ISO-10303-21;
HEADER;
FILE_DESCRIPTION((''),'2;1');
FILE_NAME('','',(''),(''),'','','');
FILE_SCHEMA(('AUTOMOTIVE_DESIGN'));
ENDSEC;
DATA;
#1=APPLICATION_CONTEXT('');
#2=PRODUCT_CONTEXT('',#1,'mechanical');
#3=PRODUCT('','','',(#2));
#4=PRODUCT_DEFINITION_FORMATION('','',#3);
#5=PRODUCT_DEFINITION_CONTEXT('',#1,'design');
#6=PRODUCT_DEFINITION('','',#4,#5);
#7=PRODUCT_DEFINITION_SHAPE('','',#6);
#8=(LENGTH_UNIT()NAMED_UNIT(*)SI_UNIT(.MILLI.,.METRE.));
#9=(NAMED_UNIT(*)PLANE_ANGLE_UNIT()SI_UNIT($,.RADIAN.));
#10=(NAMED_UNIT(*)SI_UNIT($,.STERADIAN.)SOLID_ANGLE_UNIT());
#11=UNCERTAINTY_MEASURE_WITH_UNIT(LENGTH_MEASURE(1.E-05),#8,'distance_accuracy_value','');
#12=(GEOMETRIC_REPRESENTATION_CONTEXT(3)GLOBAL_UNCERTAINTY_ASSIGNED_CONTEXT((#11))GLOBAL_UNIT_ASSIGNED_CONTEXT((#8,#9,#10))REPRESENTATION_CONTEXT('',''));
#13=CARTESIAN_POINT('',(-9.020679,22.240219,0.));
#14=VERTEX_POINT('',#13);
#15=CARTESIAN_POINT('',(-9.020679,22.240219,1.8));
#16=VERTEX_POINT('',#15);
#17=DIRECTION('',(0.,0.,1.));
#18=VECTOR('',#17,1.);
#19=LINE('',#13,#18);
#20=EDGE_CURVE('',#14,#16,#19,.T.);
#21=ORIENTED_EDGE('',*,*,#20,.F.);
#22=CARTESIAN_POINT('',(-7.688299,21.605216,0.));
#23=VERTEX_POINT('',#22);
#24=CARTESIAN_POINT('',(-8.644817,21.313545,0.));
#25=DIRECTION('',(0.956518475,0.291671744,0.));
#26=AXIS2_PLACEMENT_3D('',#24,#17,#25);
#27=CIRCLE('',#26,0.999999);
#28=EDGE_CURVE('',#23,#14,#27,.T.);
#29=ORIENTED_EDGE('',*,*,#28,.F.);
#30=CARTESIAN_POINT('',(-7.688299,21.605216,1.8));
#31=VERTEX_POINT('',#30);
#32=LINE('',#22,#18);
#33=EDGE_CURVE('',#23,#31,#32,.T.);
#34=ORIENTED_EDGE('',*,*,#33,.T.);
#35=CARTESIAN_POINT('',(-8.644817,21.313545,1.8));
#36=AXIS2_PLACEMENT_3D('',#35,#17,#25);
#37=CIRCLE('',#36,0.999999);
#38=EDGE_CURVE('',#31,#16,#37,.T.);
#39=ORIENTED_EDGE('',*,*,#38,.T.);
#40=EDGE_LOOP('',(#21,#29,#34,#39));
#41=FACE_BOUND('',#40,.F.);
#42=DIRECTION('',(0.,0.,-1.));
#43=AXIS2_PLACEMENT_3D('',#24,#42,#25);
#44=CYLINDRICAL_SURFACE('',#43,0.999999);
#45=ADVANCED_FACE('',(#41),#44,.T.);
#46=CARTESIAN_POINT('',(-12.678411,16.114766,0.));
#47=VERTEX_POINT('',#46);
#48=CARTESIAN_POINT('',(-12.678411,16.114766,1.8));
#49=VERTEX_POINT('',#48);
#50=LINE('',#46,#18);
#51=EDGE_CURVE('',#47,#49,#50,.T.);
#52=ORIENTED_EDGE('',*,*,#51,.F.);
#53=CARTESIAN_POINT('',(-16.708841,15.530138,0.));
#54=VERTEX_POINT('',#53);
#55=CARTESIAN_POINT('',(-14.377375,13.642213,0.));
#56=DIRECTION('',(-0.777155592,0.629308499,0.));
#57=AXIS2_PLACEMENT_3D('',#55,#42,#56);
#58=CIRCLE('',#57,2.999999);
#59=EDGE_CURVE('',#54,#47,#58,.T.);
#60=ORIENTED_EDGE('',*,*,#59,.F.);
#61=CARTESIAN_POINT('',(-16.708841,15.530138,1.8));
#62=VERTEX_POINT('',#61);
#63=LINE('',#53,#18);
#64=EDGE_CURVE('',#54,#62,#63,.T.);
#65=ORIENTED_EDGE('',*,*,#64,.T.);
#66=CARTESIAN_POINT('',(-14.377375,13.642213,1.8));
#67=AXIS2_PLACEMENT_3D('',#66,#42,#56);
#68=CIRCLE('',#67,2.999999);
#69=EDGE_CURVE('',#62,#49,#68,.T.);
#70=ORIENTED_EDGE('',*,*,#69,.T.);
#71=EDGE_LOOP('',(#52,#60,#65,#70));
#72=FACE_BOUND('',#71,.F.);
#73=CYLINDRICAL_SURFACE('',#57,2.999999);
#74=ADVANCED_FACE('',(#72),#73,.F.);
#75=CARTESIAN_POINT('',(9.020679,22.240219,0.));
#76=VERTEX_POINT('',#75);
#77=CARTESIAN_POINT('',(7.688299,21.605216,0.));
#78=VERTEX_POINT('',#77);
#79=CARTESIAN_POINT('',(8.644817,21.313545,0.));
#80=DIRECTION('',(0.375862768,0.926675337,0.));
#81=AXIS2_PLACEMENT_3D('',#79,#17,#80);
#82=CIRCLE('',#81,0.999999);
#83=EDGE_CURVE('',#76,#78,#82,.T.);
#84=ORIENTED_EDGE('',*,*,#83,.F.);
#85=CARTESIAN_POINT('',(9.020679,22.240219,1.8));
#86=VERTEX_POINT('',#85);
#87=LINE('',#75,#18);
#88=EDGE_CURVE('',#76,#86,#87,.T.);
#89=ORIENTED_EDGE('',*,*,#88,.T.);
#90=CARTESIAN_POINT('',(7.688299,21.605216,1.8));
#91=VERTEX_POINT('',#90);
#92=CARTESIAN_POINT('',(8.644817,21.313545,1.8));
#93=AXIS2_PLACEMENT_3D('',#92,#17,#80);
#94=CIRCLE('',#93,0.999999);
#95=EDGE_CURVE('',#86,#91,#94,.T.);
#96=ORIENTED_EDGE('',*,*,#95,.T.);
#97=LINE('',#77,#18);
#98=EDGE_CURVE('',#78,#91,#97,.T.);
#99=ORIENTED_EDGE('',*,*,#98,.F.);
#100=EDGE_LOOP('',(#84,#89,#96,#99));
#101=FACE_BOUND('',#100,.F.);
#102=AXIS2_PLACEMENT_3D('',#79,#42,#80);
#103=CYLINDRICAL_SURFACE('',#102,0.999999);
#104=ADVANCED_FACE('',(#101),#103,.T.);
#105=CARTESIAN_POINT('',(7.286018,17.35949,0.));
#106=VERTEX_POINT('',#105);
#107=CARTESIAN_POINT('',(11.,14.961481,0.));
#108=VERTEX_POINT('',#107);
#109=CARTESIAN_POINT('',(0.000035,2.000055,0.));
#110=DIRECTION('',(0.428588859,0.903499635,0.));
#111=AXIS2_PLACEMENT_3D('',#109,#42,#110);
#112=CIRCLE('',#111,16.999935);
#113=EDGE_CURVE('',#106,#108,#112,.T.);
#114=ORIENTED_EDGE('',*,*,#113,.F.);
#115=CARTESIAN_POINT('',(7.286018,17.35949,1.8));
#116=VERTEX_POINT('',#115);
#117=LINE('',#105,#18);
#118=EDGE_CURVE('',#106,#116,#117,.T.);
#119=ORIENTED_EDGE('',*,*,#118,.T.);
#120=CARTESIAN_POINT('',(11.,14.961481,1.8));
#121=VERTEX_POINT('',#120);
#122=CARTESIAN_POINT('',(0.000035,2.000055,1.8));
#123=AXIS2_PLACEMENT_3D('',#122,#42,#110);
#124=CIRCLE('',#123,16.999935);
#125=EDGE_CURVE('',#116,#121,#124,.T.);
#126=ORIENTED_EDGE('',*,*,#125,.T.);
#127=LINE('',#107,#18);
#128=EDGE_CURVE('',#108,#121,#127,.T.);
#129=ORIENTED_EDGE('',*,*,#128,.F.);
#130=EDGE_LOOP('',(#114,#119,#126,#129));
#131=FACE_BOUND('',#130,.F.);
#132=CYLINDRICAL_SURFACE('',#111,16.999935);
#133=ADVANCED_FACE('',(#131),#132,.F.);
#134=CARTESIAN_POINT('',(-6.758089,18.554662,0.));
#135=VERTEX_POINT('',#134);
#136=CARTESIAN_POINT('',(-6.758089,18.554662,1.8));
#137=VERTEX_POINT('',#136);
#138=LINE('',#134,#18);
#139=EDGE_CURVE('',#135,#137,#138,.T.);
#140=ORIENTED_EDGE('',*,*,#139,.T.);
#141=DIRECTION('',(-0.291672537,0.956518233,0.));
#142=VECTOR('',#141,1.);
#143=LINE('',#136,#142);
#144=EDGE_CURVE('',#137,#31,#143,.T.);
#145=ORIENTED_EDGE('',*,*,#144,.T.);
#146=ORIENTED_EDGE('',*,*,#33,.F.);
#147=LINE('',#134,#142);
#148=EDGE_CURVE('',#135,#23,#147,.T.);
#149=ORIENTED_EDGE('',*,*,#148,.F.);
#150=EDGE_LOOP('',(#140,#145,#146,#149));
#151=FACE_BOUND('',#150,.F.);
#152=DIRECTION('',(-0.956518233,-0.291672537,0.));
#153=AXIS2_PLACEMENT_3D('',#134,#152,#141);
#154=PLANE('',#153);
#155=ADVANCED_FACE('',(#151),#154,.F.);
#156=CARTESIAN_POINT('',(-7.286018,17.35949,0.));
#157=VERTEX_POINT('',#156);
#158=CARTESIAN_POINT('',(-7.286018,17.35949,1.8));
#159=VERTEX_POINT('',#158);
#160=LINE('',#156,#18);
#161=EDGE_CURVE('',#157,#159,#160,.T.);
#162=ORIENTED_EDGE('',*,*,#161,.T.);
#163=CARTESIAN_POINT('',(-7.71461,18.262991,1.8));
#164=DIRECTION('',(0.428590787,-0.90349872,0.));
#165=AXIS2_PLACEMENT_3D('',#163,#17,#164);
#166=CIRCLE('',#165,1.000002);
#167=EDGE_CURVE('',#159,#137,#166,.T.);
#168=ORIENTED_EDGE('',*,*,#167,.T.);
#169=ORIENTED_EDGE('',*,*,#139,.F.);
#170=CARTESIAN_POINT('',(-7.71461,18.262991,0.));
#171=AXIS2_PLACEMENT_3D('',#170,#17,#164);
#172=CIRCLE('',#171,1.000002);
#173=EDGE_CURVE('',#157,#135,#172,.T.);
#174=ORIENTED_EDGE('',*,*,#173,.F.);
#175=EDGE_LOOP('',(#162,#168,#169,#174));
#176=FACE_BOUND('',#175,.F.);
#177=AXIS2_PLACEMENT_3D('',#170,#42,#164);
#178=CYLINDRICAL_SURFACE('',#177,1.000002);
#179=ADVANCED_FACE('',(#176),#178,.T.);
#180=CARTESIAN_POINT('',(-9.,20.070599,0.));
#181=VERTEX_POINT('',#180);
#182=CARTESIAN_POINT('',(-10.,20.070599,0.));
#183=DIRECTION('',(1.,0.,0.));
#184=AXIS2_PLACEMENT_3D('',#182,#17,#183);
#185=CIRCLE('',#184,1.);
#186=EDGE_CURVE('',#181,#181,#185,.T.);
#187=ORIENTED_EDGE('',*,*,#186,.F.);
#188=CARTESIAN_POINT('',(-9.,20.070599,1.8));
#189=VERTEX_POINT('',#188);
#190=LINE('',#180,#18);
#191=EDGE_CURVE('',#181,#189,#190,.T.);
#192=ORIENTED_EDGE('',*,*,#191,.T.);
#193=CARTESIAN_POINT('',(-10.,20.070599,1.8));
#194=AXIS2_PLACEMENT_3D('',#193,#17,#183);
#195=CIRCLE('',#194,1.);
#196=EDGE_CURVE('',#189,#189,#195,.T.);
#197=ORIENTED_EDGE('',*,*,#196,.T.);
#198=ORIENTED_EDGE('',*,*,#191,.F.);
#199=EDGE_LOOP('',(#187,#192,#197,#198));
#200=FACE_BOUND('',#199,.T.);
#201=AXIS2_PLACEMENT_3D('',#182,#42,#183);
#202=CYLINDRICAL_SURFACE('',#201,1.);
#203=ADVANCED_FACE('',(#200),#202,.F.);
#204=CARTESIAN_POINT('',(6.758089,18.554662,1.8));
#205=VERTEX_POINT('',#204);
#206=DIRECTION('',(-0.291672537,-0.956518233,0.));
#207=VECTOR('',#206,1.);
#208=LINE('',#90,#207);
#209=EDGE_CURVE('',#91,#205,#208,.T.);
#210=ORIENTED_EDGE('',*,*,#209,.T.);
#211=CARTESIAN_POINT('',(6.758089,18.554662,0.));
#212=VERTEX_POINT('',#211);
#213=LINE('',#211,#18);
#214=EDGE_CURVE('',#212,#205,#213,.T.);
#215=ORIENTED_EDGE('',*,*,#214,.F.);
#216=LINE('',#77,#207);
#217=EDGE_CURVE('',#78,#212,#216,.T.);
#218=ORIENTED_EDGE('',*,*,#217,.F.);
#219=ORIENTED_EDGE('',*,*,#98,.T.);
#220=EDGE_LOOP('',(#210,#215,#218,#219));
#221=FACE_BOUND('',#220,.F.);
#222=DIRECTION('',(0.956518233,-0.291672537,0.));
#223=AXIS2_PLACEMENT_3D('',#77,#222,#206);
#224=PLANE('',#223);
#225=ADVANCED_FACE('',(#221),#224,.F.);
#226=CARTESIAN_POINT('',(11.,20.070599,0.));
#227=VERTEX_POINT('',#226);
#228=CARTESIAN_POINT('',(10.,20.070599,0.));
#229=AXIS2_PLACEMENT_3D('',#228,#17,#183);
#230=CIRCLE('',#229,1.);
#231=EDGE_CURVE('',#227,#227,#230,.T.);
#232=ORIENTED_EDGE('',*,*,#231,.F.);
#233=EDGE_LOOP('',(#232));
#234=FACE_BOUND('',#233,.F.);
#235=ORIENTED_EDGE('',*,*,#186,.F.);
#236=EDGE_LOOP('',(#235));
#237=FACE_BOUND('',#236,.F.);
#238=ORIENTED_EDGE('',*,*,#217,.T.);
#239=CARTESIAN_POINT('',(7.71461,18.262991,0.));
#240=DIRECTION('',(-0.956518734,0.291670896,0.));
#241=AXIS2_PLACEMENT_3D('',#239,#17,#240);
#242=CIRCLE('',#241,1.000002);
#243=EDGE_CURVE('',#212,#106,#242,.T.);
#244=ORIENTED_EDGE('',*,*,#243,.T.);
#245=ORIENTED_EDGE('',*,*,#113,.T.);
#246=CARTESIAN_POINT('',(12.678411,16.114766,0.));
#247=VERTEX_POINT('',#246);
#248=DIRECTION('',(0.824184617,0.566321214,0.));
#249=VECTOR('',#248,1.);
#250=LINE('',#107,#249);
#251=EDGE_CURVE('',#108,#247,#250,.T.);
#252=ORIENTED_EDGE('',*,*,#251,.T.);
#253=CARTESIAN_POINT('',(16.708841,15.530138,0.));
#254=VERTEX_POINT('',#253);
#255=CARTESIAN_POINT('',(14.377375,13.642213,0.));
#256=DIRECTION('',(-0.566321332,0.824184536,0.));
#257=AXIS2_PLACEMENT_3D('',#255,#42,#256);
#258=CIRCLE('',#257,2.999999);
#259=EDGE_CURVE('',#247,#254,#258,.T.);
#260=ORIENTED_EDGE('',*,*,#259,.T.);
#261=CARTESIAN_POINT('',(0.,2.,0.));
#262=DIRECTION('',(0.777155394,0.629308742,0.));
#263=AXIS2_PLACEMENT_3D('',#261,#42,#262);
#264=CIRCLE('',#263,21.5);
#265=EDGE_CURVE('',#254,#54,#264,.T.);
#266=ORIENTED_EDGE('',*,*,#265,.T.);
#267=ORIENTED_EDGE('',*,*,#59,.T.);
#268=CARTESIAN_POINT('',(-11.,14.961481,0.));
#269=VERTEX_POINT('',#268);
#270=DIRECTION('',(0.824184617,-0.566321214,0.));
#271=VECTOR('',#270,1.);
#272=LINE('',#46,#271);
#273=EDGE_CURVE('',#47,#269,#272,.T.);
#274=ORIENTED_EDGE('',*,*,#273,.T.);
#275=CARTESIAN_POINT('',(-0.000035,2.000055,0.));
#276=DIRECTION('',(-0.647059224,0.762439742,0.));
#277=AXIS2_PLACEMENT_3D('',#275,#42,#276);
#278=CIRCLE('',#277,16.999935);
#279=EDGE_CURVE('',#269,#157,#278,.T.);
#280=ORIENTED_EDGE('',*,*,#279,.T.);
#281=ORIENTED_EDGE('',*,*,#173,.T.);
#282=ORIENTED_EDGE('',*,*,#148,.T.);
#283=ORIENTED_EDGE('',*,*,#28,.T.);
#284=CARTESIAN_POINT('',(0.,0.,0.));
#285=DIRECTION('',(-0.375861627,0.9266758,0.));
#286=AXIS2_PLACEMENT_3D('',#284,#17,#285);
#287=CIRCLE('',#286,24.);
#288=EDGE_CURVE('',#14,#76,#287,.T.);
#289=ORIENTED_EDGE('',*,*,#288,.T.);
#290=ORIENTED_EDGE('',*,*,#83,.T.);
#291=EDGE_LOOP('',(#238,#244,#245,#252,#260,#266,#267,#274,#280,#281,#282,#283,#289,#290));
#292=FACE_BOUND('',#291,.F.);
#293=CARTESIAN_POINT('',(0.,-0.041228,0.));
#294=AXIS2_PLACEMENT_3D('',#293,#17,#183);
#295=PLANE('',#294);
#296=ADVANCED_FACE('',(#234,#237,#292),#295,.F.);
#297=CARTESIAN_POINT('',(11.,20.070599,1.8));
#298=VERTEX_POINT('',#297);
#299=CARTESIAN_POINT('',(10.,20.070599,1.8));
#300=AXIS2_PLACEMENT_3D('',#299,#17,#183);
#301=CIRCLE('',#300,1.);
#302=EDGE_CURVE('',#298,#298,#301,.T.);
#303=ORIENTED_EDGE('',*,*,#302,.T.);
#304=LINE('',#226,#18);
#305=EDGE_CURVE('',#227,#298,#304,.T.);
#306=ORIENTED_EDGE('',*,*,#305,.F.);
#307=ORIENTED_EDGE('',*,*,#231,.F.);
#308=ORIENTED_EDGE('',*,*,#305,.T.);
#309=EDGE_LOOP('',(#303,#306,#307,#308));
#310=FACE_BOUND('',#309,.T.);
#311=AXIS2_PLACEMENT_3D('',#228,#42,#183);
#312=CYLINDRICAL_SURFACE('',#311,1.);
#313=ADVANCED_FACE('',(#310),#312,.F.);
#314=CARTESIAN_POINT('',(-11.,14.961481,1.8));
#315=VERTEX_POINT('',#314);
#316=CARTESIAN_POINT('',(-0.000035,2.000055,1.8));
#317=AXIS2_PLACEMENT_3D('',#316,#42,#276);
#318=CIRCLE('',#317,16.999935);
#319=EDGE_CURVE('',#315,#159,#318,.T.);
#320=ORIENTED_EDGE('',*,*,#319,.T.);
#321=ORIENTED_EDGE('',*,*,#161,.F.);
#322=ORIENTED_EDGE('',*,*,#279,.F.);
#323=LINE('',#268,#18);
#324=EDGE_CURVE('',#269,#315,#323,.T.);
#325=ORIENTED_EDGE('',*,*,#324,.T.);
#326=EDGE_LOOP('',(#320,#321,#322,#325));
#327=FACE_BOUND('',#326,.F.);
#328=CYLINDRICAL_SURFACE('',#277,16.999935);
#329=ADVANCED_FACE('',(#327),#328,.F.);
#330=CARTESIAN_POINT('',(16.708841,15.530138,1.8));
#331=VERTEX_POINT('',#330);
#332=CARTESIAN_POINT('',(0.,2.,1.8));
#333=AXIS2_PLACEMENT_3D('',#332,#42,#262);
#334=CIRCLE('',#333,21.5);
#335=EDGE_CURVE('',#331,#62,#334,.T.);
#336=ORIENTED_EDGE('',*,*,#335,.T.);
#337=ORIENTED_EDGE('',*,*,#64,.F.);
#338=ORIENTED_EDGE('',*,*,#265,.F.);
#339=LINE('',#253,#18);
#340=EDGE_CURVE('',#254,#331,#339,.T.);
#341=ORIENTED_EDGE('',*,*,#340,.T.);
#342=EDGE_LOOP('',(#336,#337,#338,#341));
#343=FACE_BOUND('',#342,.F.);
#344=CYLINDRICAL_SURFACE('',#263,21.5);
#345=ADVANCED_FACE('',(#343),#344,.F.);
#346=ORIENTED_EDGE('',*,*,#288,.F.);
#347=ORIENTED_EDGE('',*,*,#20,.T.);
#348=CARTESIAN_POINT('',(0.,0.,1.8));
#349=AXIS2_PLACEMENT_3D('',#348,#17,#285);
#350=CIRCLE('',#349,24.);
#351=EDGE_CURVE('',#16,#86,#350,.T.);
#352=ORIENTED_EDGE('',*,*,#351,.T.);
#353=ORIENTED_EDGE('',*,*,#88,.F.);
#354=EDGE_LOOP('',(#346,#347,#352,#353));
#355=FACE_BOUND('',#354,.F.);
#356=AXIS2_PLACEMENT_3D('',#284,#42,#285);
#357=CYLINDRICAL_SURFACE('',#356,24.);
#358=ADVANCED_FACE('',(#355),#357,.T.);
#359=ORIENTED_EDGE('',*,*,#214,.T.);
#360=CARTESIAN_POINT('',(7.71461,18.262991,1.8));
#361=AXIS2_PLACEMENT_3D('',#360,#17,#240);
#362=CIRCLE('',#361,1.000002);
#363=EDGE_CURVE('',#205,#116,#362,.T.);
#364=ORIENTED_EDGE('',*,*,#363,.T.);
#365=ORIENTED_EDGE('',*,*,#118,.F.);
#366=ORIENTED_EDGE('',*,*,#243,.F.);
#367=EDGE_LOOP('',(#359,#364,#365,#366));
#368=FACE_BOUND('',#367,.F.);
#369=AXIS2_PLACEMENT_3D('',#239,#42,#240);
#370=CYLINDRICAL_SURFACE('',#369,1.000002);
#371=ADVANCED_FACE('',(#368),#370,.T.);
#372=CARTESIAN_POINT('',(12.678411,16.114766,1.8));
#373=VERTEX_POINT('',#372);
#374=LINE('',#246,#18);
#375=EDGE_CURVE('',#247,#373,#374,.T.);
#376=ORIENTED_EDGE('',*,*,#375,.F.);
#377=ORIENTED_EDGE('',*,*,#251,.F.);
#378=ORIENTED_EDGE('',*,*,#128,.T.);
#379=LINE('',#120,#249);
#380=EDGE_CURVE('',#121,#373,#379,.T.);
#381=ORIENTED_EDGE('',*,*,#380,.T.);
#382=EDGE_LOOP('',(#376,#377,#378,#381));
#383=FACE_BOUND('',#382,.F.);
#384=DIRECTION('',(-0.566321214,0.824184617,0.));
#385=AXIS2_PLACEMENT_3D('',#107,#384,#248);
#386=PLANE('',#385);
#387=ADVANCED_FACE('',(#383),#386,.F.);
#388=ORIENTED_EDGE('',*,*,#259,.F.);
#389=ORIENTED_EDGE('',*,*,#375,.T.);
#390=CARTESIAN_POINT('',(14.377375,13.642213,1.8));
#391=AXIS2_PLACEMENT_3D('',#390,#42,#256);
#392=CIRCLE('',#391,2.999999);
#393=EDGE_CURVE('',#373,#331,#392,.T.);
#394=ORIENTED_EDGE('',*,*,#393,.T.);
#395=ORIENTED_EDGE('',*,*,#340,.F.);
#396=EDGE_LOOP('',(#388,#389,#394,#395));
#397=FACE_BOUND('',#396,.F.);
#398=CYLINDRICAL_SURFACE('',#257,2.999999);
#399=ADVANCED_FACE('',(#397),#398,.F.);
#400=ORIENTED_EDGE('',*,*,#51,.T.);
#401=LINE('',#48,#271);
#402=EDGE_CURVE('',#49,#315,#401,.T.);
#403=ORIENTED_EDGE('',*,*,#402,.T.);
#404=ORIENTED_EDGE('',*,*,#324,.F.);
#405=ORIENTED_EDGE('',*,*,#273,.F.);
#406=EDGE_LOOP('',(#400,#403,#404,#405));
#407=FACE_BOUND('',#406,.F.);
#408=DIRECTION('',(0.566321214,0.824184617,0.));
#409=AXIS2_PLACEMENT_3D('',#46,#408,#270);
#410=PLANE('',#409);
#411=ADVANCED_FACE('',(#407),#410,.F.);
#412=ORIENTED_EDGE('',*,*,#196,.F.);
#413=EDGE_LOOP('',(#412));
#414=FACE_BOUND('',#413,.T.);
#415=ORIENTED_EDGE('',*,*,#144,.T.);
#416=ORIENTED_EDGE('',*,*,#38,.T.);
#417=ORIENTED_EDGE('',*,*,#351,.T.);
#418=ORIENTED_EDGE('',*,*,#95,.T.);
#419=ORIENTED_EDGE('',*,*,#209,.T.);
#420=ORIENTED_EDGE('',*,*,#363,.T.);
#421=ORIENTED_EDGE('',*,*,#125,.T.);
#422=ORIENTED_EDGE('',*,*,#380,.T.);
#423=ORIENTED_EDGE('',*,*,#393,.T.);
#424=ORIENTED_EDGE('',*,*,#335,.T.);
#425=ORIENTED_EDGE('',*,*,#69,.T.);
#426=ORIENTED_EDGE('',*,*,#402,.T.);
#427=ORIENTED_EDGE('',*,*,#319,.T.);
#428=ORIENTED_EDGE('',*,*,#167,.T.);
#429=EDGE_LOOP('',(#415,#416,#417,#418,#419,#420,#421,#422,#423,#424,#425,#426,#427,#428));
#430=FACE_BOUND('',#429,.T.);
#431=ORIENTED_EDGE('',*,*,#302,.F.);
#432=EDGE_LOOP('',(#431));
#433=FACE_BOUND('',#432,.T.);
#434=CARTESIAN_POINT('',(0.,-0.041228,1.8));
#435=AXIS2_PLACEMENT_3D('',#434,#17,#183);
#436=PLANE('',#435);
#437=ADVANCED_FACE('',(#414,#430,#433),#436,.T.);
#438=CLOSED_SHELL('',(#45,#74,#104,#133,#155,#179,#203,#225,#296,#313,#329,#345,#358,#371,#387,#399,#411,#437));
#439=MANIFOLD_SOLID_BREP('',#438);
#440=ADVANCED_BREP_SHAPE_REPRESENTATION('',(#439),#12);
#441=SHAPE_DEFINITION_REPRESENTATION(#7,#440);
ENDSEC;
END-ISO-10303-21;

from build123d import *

# Parameters (mm, degrees)
F0_R     = 1
F1_DEPTH = 1.8


with BuildPart() as f1:
    # F0 (on Top) → F1 (new body)
    with BuildSketch(Plane.XY):
        with BuildLine():
            ThreePointArc((-7.688299, 21.605216), (-8.214587, 22.216263), (-9.020679, 22.240219))
            ThreePointArc((-9.020679, 22.240219), (0, -24), (9.020679, 22.240219))
            ThreePointArc((9.020679, 22.240219), (8.214587, 22.216263), (7.688299, 21.605216))
            Line((7.688299, 21.605216), (6.758089, 18.554662))
            ThreePointArc((6.758089, 18.554662), (6.799873, 17.858935), (7.286018, 17.35949))
            ThreePointArc((7.286018, 17.35949), (9.221292, 16.281729), (11, 14.961481))
            Line((11, 14.961481), (12.678411, 16.114766))
            ThreePointArc((12.678411, 16.114766), (14.808028, 16.611141), (16.708841, 15.530138))
            ThreePointArc((16.708841, 15.530138), (0, -19.5), (-16.708841, 15.530138))
            ThreePointArc((-16.708841, 15.530138), (-14.808028, 16.611141), (-12.678411, 16.114766))
            Line((-12.678411, 16.114766), (-11, 14.961481))
            ThreePointArc((-11, 14.961481), (-9.221292, 16.281729), (-7.286018, 17.35949))
            ThreePointArc((-7.286018, 17.35949), (-6.799873, 17.858935), (-6.758089, 18.554662))
            Line((-6.758089, 18.554662), (-7.688299, 21.605216))
        make_face()
        with Locations((-10, 20.070599)):
            Circle(F0_R, mode=Mode.SUBTRACT)
        with Locations((10, 20.070599)):
            Circle(F0_R, mode=Mode.SUBTRACT)
    extrude(amount=F1_DEPTH)


solid = f1.part
